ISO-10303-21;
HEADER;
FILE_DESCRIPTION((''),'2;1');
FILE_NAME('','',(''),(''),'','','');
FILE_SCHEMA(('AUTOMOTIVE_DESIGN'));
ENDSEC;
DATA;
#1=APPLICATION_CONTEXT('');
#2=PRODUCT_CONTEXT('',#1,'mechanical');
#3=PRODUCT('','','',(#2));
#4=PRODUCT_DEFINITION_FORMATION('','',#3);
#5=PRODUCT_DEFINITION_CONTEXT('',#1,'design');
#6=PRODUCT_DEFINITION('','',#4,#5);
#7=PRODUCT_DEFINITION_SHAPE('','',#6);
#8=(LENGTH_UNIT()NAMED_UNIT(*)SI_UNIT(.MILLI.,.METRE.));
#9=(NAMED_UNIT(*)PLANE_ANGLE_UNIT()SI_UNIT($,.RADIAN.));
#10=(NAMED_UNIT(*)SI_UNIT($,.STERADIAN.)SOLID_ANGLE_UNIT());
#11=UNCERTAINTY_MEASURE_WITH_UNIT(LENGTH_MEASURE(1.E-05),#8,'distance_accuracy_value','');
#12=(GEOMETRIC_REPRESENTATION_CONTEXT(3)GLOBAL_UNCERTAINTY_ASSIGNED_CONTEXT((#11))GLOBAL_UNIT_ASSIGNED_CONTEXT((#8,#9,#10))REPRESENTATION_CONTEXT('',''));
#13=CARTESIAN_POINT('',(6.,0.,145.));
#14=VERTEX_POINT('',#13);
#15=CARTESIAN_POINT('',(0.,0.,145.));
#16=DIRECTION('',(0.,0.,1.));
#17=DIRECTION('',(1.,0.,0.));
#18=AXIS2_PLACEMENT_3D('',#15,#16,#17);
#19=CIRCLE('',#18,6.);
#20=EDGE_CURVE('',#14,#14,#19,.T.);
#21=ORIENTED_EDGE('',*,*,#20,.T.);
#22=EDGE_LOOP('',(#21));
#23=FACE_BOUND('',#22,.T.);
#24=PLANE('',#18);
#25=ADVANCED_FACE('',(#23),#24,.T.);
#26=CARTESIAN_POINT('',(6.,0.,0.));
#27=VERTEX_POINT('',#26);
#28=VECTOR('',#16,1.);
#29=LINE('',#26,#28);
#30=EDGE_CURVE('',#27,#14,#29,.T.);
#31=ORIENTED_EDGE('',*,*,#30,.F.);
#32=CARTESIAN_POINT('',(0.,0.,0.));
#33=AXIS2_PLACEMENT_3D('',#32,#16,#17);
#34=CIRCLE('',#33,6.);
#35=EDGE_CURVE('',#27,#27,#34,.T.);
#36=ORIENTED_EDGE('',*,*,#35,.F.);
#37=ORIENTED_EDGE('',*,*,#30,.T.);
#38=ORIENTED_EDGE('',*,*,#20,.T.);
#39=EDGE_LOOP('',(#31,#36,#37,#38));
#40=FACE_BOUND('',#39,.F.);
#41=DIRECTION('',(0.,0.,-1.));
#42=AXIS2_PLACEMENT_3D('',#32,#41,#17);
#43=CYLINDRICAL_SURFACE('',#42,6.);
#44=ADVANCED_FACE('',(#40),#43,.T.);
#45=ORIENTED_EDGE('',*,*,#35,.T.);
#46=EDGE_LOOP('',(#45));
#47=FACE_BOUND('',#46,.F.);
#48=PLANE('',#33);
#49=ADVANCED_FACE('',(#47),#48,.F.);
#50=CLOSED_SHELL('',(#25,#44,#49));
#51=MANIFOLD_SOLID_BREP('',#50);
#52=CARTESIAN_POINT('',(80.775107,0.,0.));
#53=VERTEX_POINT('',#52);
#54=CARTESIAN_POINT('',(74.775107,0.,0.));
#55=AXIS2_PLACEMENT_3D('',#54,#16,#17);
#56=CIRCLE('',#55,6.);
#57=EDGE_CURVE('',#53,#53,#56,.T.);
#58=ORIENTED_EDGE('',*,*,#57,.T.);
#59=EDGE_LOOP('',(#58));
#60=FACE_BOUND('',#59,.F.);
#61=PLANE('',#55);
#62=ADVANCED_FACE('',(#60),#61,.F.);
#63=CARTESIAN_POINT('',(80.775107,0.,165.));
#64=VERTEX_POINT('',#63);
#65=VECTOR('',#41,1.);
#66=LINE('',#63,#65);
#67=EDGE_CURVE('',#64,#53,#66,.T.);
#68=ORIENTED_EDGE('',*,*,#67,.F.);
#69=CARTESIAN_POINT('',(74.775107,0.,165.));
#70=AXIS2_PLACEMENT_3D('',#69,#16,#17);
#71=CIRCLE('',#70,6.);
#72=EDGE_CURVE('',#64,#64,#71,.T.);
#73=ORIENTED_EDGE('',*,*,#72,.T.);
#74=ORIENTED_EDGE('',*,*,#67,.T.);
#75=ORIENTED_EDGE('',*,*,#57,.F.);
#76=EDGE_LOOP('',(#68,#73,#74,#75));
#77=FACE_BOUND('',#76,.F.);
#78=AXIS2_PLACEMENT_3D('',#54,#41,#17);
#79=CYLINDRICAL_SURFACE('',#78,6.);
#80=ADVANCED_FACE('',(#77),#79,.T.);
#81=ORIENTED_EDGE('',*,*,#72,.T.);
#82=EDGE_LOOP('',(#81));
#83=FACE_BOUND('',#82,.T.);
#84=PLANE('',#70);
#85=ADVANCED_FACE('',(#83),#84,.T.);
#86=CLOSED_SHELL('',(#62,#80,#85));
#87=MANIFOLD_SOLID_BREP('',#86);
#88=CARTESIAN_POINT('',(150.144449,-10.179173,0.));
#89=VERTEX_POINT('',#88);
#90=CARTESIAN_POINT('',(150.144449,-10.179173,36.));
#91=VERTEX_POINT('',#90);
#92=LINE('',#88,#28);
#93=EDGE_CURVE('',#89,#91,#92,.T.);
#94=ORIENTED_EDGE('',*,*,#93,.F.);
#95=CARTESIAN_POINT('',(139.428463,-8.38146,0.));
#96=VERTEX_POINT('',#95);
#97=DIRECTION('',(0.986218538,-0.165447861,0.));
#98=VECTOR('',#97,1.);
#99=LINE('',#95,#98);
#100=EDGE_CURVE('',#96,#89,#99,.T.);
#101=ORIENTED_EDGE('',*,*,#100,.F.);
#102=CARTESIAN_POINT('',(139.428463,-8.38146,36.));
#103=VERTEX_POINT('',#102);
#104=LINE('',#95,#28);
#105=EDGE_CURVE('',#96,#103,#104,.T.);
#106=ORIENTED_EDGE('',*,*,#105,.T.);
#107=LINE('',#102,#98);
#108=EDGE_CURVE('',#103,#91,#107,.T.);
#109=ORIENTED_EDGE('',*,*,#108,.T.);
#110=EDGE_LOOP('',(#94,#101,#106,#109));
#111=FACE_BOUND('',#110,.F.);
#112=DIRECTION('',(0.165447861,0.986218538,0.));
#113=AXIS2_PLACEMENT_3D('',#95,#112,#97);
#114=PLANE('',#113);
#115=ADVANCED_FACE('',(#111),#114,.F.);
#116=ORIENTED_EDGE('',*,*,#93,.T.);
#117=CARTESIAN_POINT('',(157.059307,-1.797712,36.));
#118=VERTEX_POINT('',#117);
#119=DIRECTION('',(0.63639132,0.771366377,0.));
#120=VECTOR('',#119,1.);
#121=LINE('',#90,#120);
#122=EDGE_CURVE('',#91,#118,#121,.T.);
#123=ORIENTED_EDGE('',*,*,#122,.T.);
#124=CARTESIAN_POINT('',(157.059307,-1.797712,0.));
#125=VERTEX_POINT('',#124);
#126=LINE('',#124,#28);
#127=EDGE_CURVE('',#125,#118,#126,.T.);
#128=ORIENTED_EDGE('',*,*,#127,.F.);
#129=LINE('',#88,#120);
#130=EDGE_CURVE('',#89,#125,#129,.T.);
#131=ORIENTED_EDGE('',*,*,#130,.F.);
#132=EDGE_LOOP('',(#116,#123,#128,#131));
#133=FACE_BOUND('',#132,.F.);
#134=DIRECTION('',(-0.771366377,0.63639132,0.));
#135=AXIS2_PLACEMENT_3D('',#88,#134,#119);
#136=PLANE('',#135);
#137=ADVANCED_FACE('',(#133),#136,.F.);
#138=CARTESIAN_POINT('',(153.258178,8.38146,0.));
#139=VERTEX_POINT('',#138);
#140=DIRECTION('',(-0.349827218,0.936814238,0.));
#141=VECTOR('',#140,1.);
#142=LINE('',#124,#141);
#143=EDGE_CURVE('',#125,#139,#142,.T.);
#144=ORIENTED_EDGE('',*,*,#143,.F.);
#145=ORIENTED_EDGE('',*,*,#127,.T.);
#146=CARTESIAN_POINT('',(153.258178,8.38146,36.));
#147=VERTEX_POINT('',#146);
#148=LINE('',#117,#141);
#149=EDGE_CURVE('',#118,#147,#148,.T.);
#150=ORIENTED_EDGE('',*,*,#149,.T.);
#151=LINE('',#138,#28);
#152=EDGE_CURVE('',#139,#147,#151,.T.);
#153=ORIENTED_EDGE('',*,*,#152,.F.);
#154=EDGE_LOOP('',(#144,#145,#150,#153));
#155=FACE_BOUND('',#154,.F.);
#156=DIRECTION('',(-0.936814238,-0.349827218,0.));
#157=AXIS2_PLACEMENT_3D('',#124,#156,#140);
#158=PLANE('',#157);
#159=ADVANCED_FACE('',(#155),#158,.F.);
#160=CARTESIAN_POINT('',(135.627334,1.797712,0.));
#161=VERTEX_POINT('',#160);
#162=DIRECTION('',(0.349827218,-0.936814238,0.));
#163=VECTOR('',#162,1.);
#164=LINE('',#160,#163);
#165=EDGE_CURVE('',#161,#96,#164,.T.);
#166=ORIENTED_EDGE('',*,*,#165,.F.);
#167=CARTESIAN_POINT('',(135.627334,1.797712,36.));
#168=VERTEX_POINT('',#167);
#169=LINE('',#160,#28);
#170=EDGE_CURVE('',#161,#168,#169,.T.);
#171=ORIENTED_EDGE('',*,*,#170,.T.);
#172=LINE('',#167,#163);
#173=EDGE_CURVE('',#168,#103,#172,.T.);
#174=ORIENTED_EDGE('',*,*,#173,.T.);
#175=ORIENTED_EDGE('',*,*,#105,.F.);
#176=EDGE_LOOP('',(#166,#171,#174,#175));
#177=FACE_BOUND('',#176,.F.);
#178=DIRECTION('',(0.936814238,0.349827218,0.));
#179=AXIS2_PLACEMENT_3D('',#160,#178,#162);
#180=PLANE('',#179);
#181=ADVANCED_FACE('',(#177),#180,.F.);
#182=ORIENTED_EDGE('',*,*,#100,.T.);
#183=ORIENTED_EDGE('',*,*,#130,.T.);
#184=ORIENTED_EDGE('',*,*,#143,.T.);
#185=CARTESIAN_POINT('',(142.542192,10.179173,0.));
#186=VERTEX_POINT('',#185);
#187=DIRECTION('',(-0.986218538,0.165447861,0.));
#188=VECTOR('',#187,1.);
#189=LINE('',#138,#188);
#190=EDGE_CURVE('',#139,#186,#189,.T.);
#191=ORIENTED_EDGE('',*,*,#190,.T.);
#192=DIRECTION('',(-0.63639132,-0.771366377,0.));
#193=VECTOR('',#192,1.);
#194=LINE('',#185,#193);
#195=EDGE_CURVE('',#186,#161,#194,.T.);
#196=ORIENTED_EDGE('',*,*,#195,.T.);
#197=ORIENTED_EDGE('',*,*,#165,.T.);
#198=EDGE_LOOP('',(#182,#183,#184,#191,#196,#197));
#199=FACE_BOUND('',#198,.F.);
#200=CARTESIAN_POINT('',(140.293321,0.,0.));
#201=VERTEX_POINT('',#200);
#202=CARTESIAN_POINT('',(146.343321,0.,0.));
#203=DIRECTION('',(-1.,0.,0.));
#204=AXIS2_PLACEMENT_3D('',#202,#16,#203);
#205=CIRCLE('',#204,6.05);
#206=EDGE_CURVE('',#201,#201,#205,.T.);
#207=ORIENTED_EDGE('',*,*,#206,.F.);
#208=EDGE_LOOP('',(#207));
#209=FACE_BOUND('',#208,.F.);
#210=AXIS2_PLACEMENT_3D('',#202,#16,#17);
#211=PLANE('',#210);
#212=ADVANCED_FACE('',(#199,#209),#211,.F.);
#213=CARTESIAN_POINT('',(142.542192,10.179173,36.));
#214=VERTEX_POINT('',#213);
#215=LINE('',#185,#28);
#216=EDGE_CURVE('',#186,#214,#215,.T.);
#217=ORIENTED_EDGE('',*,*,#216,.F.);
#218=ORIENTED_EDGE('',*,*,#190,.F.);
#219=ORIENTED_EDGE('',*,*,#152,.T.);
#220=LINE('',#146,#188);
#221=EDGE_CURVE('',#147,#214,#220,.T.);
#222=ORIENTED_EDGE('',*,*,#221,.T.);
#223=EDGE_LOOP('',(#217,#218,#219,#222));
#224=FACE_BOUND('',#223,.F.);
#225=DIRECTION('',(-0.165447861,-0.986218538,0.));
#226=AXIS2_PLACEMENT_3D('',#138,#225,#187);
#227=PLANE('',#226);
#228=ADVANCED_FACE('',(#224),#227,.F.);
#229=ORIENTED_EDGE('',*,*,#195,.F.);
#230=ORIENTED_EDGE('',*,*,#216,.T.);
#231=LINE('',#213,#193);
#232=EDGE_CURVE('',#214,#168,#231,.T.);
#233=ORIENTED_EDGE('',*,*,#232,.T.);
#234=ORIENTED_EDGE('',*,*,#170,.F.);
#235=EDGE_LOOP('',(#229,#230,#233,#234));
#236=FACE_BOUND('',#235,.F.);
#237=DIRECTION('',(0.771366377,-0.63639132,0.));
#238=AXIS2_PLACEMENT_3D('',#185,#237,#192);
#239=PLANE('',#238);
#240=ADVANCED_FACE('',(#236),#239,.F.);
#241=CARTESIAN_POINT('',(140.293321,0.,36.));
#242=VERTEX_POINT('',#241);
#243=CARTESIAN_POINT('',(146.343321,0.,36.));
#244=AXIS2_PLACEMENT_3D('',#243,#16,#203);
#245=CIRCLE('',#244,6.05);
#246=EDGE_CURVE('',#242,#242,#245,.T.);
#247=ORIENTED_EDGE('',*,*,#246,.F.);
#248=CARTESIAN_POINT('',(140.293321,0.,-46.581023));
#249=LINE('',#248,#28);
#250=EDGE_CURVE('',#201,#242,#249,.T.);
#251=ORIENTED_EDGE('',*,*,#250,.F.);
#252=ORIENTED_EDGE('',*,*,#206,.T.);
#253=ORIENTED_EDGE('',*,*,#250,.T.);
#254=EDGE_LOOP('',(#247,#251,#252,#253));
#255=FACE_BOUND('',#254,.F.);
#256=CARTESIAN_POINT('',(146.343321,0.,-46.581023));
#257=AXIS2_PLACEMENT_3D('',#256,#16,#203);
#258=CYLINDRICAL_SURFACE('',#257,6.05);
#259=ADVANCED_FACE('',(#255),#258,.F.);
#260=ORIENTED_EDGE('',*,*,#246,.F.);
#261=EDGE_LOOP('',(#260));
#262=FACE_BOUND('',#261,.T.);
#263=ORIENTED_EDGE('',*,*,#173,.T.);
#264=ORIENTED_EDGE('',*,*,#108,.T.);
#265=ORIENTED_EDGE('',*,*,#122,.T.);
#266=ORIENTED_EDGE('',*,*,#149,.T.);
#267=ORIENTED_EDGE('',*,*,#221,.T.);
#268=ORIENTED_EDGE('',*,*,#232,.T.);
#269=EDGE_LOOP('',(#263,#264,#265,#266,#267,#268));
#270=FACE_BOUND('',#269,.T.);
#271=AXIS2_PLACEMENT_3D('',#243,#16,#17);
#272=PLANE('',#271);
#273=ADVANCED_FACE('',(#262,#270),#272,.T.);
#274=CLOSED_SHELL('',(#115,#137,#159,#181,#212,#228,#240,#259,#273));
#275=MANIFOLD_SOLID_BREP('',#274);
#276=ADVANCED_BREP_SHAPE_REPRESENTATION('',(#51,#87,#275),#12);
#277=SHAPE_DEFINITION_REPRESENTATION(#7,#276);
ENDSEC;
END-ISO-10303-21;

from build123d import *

# Parameters (mm, degrees)
F0_R     = 6
F1_DEPTH = 165
F2_DEPTH = 145
F4_DEPTH = 36
F5_D     = 12.1


with BuildPart() as f1:
    # F0 (on Top) → F1 (new body)
    with BuildSketch(Plane.XY):
        with Locations((74.7751072049, 0)):
            Circle(F0_R)
    extrude(amount=F1_DEPTH)

    # F0 (on Top) → F2, piece 2 (join)
    with BuildSketch(Plane.XY):
        with Locations((74.7751072049, 0)):
            Circle(F0_R)
    extrude(amount=F2_DEPTH)


with BuildPart() as f2:
    # F0 (on Top) → F2 (new body)
    with BuildSketch(Plane.XY):
        Circle(F0_R)
    extrude(amount=F2_DEPTH)


with BuildPart() as f4:
    # F3 (on Top) → F4 (new body)
    with BuildSketch(Plane.XY):
        Polygon((157.0593070035, -1.7977121316), (153.2581781804, 8.3814603792), (142.5421917851, 10.1791725108), (135.6273342128, 1.7977121316), (139.4284630358, -8.3814603792), (150.1444494312, -10.1791725108), align=None)
    extrude(amount=F4_DEPTH)

    # F5 (through all)
    with Locations(Plane(origin=(0, 0, 0), x_dir=(1, 0, 0), z_dir=(0, 0, -1))):
        with Locations((146.3433206081, 0)):
            Hole(F5_D / 2)


solid = Compound([f1.part, f2.part, f4.part])
